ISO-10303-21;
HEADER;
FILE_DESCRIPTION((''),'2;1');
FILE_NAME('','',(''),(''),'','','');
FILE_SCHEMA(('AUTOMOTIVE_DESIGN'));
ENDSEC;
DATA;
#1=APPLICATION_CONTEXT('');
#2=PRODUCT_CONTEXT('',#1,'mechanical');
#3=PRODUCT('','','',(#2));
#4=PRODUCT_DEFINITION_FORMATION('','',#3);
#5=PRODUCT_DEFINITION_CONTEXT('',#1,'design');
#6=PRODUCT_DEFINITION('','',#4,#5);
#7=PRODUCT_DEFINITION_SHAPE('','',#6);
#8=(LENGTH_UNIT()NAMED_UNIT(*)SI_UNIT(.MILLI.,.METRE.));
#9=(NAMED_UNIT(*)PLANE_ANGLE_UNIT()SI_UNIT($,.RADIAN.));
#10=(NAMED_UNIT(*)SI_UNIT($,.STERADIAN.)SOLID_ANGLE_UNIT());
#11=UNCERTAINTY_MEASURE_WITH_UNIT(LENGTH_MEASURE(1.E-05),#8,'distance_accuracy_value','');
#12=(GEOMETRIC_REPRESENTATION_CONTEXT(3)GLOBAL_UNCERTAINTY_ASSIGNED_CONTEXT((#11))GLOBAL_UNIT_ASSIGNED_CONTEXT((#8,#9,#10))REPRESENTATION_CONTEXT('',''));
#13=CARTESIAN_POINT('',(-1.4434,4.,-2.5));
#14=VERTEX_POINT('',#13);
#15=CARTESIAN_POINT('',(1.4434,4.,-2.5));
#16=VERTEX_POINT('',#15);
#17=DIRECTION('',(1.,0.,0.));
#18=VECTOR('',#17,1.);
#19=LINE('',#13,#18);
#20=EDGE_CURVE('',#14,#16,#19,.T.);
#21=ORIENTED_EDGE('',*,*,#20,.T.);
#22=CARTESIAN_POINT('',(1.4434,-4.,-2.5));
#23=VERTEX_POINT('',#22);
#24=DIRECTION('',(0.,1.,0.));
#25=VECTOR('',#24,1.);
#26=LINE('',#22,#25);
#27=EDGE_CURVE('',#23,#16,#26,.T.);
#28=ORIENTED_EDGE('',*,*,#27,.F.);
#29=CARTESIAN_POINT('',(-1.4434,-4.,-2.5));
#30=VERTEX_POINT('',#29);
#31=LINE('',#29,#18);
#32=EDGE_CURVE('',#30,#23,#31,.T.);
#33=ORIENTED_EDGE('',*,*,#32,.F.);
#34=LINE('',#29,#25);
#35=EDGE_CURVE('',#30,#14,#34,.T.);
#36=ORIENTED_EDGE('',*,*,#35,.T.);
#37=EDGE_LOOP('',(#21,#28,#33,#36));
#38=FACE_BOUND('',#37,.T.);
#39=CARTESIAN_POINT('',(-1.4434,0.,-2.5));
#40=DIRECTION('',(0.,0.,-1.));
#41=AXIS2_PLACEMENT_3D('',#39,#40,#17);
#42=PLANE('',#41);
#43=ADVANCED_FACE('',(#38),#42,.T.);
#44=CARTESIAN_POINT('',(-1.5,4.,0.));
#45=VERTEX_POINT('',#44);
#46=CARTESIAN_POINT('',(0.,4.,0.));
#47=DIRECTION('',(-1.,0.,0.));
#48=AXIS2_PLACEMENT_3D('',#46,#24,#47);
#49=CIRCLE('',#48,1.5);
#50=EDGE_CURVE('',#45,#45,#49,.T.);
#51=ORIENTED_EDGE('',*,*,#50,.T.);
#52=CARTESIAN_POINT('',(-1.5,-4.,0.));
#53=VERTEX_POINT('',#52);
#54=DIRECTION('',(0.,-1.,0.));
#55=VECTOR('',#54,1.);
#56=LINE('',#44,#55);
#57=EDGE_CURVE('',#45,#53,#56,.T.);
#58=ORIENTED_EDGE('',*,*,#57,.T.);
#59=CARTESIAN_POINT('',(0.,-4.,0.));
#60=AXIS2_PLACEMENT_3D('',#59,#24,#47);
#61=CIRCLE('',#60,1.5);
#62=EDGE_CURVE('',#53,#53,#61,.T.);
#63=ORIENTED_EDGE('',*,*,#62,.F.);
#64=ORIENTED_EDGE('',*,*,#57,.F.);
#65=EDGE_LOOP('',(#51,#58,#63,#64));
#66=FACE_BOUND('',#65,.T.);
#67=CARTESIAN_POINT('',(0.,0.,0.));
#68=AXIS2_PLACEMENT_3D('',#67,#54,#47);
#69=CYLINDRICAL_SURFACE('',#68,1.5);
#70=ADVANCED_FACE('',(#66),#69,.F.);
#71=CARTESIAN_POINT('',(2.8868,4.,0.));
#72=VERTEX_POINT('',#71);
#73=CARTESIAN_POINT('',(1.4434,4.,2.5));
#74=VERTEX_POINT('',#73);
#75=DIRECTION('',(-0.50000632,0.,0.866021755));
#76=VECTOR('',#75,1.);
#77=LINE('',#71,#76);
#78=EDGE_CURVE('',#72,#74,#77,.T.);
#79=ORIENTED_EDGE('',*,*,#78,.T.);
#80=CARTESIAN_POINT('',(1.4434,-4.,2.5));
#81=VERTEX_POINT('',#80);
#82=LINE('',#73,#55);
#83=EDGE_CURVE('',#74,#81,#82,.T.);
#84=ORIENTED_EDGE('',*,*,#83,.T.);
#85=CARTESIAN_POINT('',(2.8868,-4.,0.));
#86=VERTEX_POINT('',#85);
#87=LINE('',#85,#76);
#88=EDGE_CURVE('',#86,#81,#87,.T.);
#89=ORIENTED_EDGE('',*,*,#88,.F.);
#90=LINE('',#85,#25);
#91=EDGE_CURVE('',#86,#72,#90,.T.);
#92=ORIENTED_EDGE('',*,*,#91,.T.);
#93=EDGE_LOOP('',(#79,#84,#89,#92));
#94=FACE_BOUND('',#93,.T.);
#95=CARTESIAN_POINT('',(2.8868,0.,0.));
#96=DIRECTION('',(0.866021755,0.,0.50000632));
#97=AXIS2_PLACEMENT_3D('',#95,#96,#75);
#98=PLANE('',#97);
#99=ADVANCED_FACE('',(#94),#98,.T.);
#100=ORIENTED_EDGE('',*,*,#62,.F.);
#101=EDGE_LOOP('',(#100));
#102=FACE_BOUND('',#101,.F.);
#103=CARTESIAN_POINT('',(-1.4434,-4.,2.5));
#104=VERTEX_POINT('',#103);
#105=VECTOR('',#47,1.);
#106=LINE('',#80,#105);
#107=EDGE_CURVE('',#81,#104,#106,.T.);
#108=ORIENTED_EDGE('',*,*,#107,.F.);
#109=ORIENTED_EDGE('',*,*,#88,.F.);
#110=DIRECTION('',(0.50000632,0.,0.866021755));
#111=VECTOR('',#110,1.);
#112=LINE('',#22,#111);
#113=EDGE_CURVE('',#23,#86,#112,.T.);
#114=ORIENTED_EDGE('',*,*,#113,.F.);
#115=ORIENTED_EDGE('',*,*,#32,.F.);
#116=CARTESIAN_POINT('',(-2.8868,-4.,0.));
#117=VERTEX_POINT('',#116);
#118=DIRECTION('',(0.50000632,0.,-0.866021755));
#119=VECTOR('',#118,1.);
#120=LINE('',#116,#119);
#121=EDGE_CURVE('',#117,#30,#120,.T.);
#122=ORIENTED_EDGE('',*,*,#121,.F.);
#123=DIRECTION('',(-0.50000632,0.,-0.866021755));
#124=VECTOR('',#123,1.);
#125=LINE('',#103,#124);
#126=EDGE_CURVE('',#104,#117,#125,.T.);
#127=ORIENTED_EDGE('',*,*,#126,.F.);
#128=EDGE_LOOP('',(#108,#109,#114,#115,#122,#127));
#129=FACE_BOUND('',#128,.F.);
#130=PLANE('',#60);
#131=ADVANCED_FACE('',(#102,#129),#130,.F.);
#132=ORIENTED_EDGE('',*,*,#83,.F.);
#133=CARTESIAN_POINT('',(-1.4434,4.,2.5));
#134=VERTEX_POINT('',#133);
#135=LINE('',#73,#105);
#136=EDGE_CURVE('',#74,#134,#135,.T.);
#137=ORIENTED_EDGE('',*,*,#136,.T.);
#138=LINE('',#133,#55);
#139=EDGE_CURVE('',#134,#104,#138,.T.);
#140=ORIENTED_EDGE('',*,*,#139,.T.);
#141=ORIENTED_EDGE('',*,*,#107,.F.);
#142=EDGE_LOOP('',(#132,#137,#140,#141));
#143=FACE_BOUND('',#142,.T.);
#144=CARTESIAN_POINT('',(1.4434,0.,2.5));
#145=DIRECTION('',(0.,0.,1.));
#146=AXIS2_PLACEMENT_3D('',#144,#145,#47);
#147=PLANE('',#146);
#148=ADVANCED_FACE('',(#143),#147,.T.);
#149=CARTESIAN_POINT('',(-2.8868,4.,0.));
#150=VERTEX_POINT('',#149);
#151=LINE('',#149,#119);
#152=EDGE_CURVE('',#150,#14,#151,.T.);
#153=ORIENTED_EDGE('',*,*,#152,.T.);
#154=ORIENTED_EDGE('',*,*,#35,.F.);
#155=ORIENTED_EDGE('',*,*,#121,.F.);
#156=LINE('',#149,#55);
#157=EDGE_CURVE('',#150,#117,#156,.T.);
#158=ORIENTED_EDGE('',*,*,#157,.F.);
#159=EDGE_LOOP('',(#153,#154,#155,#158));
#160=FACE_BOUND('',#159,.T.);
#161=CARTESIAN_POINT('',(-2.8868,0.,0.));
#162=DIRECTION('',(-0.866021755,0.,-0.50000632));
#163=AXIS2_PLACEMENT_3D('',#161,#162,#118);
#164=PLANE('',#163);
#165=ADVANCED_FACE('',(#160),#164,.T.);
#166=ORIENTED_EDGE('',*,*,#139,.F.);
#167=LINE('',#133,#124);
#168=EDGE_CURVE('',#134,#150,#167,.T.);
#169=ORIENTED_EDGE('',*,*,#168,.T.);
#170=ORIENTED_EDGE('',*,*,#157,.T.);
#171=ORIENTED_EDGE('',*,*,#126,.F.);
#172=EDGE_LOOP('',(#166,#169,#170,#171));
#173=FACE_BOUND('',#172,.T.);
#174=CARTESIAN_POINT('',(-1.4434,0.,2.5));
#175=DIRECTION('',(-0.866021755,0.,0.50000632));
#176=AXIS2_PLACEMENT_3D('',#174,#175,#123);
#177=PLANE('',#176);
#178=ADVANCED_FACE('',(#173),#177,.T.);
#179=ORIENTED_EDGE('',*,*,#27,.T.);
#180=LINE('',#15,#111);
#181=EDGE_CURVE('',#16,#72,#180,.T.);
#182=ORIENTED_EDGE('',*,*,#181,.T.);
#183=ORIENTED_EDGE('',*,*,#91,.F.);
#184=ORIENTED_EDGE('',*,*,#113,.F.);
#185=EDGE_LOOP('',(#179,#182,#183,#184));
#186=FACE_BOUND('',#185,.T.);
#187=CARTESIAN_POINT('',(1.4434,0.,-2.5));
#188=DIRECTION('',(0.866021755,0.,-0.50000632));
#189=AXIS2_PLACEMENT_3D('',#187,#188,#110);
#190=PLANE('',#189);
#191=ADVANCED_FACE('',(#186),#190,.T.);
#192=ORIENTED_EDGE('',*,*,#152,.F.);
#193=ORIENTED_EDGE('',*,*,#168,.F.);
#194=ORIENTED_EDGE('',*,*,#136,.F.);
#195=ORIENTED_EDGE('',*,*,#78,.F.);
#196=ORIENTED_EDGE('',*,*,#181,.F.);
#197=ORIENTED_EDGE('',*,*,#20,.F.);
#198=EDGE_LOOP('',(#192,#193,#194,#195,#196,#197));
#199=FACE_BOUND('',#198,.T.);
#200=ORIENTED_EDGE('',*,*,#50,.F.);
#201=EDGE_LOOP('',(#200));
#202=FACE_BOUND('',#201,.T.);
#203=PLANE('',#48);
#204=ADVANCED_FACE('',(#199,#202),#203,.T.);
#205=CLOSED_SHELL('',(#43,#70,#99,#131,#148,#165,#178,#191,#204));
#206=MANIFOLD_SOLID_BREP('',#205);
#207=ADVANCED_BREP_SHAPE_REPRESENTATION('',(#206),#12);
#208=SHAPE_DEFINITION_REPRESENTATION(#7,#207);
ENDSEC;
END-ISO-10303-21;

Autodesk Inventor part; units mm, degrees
sketch "Эскиз1" plane through (0, 0, 0) normal (0, 1, 0) x (-1, 0, 0)
  line L0 (-2.8868, 0) -> (-1.4434, 2.5)
  line L1 (-1.4434, 2.5) -> (1.4434, 2.5)
  line L2 (1.4434, 2.5) -> (2.8868, 0)
  line L3 (2.8868, 0) -> (1.4434, -2.5)
  line L4 (1.4434, -2.5) -> (-1.4434, -2.5)
  line L5 (-1.4434, -2.5) -> (-2.8868, 0)
  circle A0 centre (0, 0) radius 1.5
  dimension "d0" = 5
  dimension "d2" = 3
extrude "Выдавливание1" add sketch "Эскиз1" along normal mid plane 8
properties part number "Стойка"
